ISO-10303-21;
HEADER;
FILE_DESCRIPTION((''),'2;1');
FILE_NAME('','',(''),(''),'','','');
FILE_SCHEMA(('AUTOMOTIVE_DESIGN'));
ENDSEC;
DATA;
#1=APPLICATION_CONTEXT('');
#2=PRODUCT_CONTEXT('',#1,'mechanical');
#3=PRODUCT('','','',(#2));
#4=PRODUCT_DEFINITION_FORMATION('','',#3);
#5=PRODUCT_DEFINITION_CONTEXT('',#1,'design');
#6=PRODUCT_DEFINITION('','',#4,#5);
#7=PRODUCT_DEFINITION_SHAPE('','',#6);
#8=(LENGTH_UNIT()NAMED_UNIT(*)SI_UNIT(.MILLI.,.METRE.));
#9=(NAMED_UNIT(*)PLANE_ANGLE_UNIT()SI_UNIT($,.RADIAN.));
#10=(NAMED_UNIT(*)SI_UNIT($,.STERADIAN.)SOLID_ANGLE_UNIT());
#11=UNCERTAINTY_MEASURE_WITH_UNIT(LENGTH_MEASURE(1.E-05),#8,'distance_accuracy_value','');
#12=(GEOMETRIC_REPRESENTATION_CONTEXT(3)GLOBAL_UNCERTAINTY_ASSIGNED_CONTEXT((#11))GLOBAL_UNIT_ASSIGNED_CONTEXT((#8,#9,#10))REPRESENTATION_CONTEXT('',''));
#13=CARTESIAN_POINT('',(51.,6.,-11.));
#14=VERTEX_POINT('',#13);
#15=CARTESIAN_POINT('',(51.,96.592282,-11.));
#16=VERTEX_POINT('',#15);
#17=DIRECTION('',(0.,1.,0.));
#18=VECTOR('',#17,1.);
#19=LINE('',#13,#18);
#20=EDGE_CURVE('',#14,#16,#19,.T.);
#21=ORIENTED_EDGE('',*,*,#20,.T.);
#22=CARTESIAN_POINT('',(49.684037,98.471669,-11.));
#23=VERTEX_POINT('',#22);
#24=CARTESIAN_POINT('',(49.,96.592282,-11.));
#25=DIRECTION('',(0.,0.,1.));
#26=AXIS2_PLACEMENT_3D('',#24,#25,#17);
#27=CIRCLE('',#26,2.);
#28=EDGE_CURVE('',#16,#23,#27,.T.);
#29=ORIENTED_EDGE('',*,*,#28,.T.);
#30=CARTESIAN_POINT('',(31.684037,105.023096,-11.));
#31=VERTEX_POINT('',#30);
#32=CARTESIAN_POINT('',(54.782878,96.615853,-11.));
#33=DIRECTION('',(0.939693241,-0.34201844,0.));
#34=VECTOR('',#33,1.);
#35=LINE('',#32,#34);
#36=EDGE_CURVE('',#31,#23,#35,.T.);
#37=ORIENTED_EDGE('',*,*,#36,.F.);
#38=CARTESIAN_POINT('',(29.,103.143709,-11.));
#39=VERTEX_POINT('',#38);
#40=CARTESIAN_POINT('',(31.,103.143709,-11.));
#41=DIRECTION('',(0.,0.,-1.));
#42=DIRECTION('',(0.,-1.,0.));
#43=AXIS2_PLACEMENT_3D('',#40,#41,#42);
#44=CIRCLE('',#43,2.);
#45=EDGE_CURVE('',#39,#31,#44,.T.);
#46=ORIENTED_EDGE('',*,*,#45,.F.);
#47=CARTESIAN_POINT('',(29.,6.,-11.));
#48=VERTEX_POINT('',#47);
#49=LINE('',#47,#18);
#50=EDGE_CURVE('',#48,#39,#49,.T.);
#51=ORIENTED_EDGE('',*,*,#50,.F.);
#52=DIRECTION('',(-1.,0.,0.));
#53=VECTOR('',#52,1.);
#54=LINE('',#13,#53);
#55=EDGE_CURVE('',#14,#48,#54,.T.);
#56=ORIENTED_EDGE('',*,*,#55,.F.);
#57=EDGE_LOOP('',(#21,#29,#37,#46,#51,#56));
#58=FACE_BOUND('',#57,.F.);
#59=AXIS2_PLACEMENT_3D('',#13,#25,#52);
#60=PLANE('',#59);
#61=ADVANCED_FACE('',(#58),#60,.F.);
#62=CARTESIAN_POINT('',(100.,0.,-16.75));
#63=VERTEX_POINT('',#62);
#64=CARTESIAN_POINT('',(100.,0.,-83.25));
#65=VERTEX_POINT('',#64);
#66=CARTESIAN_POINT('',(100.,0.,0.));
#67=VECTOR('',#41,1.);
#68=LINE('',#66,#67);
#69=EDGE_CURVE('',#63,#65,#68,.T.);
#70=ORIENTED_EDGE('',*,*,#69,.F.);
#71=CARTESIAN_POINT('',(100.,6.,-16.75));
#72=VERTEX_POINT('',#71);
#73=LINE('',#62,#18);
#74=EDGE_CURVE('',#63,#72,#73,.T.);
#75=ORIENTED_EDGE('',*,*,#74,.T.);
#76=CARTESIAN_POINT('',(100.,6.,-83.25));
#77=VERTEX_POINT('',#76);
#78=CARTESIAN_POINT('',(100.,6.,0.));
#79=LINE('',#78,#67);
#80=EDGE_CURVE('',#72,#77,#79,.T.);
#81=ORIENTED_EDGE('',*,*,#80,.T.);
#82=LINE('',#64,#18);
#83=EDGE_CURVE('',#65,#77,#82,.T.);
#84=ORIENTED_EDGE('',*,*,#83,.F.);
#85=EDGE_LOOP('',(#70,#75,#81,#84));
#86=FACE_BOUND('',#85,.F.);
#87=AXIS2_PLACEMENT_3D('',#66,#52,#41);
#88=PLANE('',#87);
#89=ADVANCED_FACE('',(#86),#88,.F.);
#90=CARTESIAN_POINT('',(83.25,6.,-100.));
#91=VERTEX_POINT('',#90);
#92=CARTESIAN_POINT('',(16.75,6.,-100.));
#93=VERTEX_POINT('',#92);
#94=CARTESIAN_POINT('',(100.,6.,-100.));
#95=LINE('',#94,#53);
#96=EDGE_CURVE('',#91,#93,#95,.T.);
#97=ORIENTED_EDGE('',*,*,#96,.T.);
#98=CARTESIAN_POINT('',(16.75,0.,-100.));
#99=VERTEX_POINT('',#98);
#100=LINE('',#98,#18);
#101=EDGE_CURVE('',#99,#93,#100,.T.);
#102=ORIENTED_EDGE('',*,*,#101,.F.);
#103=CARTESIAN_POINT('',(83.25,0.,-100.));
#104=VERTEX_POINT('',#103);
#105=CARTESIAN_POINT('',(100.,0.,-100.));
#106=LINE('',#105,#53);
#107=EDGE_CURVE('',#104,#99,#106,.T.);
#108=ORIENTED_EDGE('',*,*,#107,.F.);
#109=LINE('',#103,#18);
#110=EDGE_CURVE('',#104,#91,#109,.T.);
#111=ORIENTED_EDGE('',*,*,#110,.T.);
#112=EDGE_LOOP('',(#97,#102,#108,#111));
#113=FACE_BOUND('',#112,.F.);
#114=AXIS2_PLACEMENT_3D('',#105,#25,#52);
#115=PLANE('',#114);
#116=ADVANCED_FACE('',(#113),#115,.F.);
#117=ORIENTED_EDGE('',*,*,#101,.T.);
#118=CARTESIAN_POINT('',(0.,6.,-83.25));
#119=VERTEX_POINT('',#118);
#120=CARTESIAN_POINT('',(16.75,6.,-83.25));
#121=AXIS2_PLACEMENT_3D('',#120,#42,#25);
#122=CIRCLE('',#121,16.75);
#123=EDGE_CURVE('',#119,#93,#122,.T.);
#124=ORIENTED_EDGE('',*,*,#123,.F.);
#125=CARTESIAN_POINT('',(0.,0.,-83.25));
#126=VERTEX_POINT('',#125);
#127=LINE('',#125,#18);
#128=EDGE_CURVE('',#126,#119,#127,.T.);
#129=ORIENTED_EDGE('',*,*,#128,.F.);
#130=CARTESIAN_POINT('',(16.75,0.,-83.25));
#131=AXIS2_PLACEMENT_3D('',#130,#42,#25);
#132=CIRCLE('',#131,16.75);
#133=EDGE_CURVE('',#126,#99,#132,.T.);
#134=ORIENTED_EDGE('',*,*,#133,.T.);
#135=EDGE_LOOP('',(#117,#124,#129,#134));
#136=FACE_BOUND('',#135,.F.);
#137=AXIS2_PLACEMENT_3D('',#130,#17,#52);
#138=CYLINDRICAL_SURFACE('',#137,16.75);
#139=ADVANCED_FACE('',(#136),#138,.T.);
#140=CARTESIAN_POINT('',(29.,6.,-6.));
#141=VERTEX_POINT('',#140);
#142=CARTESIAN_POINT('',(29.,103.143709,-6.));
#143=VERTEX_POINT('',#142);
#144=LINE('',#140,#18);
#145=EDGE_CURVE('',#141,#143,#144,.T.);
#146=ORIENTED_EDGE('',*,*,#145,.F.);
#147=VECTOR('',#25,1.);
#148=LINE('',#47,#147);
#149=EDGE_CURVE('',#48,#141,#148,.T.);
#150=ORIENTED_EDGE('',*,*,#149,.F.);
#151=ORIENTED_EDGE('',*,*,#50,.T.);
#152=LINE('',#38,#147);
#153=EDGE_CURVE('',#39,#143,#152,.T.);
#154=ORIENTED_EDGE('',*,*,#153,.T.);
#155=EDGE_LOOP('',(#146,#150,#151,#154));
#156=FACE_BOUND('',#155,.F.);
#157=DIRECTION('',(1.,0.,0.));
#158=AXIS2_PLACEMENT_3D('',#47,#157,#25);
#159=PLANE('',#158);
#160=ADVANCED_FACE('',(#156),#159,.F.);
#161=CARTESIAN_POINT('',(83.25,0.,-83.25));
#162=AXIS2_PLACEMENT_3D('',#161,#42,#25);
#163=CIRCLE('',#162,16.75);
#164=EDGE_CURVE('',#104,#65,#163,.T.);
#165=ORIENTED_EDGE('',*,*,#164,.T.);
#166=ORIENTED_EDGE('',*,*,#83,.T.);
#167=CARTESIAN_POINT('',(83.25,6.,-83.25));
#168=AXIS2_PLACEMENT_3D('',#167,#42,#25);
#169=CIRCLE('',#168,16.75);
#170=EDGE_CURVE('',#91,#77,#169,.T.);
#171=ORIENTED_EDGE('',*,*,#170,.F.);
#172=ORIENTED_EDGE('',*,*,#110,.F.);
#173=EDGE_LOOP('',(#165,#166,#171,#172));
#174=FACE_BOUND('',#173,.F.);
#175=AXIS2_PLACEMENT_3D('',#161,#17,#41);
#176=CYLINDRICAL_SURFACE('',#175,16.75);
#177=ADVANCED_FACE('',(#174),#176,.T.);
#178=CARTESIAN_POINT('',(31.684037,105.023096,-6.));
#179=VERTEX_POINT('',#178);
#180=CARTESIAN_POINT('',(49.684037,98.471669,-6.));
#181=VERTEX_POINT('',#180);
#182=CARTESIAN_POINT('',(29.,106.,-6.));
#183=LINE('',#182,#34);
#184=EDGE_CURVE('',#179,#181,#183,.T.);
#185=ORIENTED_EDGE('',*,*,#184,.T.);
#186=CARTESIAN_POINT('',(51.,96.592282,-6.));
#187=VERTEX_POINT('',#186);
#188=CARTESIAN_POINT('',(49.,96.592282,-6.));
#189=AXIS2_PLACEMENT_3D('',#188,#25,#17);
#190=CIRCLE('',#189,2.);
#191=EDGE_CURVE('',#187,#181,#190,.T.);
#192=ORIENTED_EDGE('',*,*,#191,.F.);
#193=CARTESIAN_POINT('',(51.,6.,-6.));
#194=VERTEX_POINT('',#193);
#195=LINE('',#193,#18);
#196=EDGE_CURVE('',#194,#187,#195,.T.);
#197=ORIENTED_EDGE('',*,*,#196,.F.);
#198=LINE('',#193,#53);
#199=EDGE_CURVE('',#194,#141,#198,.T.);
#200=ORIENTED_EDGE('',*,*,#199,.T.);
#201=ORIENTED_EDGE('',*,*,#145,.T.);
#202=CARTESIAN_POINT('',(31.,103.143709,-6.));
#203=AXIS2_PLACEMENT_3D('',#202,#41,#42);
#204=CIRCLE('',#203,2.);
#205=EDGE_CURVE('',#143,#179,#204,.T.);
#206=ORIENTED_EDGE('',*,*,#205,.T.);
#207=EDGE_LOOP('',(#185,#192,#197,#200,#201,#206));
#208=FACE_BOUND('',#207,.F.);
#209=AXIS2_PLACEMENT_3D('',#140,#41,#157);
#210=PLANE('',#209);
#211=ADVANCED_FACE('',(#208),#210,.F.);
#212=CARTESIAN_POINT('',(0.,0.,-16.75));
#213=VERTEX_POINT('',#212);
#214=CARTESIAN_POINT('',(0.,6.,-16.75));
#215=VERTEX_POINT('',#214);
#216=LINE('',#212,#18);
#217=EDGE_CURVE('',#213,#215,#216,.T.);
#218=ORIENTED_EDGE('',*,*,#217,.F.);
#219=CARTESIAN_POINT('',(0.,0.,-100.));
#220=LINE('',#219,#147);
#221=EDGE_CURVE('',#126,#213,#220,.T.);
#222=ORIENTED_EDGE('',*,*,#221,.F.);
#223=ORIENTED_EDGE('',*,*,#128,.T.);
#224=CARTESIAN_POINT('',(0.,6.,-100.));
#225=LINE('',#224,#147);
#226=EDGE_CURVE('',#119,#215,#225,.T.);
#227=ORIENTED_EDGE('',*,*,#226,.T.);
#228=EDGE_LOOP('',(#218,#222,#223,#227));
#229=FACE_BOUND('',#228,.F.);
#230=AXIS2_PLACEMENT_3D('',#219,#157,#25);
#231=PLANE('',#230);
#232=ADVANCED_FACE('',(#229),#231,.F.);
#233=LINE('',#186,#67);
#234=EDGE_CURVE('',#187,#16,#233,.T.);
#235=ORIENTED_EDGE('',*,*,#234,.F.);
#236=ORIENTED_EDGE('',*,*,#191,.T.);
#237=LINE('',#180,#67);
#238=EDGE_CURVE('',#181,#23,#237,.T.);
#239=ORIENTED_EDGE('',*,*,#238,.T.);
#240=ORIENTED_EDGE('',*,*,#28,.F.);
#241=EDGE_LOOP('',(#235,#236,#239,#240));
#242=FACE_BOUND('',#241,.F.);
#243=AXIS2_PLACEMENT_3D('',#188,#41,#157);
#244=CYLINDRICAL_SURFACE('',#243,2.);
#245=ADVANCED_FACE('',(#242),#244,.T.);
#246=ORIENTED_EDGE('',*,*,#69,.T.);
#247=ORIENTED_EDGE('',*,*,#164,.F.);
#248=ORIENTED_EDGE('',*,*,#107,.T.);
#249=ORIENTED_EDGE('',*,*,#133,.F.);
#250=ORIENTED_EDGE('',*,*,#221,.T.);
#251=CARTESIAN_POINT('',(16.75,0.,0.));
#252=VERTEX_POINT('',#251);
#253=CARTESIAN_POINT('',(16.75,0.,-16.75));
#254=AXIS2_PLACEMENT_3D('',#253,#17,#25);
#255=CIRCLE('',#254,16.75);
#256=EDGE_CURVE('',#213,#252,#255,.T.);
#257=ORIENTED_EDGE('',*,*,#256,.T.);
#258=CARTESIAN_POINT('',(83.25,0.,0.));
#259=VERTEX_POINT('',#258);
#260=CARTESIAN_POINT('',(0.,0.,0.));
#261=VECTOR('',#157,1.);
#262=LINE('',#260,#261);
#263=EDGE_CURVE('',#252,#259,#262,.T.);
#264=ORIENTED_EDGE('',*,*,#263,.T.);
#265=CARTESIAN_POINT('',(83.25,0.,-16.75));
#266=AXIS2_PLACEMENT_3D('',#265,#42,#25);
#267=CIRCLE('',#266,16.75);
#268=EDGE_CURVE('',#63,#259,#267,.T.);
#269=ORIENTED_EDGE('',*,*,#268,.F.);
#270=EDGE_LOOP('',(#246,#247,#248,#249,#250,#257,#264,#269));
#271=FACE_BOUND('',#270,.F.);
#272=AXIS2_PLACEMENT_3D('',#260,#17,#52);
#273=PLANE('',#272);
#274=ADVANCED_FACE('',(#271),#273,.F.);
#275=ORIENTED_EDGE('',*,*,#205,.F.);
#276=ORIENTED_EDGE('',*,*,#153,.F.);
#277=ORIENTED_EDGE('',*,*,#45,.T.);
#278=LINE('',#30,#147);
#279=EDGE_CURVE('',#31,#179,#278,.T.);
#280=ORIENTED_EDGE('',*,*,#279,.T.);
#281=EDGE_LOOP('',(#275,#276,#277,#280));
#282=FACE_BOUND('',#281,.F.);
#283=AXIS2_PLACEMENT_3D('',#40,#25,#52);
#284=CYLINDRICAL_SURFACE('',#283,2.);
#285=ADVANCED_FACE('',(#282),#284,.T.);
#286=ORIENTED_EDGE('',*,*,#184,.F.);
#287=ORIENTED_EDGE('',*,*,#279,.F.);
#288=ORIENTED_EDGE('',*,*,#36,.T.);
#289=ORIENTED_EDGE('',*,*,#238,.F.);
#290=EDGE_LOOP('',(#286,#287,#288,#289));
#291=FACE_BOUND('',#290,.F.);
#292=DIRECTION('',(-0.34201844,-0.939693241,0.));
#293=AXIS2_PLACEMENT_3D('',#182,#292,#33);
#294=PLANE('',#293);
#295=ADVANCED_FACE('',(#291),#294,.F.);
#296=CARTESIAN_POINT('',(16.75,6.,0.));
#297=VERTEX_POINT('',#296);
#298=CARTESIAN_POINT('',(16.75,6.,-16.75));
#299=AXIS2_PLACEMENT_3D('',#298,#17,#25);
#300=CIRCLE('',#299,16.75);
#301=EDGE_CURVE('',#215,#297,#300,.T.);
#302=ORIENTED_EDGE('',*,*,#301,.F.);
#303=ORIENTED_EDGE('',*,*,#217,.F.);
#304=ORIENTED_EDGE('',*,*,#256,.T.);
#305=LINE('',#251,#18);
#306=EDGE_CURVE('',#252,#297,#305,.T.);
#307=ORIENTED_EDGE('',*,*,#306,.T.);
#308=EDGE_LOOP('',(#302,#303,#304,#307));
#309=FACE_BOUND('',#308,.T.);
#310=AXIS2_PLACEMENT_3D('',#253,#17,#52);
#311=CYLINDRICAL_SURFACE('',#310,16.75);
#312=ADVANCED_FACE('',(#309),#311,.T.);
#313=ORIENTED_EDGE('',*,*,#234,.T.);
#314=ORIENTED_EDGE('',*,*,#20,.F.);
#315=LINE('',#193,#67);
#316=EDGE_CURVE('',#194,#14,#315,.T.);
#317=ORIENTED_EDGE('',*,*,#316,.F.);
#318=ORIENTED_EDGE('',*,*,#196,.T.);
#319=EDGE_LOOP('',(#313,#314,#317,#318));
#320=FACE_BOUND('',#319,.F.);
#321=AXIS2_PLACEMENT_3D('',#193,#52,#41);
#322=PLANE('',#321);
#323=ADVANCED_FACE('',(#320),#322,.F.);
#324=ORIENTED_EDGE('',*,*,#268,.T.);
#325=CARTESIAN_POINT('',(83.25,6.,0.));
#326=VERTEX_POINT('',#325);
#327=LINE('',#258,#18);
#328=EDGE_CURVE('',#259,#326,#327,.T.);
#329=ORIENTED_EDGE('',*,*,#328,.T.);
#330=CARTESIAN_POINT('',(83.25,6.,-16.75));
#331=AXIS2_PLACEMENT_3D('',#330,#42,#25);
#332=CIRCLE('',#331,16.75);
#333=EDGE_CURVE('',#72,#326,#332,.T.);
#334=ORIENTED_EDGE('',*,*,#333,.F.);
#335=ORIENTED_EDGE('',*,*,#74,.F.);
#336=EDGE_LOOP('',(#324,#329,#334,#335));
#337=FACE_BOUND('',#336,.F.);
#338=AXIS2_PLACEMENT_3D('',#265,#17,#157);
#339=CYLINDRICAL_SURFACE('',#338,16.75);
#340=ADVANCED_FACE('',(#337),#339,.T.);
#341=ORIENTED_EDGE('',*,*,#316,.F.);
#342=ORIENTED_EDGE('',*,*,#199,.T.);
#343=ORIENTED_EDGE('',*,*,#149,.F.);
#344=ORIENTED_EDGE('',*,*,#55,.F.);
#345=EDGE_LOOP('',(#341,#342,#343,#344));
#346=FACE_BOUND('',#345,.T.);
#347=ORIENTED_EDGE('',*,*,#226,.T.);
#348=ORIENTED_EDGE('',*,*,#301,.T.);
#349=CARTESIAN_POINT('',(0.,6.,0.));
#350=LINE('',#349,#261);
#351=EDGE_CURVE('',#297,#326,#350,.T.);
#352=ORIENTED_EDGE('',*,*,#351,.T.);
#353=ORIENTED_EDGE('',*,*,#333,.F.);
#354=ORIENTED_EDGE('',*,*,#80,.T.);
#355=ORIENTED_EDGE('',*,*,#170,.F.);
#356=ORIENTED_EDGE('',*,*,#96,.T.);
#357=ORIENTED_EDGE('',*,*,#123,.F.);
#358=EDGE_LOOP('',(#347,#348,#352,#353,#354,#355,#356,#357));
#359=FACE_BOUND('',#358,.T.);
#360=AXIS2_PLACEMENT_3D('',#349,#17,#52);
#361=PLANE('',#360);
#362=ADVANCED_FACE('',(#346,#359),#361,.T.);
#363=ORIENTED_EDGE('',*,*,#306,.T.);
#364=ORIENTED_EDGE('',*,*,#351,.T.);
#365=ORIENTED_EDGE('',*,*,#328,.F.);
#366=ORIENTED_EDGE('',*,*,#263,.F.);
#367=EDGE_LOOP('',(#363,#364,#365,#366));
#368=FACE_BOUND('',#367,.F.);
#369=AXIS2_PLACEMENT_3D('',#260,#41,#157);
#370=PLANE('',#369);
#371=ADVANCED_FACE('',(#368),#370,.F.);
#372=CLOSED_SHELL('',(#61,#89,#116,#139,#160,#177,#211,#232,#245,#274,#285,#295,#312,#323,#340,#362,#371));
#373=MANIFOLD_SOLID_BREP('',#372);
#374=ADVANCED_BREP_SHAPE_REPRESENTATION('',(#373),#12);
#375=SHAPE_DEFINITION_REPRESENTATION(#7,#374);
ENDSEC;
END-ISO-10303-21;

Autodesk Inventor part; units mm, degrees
ref_plane "YZ Plane" through (0, 0, 0) normal (1, 0, 0) x (0, 1, 0)
ref_plane "XZ Plane" through (0, 0, 0) normal (0, 1, 0) x (-1, 0, 0)
ref_plane "XY Plane" through (0, 0, 0) normal (0, 0, 1) x (1, 0, 0)
sketch "Sketch1" plane through (0, 0, 0) normal (0, 1, 0) x (-1, 0, 0)
  line L0 (0, 0) -> (-100, 0)
  line L1 (-100, 0) -> (-100, -100)
  line L2 (-100, -100) -> (0, -100)
  line L3 (0, -100) -> (0, 0)
  dimension "d0" = 100
  dimension "d1" = 100
extrude "Extrusion1" add sketch "Sketch1" along normal blind 6
fillet "Fillet1" radius 16.75 4 edges at (100, 3, 0) (100, 3, -100) (0, 3, 0) (0, 3, -100)
sketch "Sketch2" plane through (0, 6, 0) normal (0, 1, 0) x (1, 0, 0)
  line L0 (16.75, 0) -> (83.25, 0) projected
  line L1 (40, 6) -> (51, 6)
  line L2 (51, 6) -> (51, 11)
  line L3 (51, 11) -> (29, 11)
  line L4 (29, 11) -> (29, 6)
  line L5 (29, 6) -> (40, 6)
  point P0 (0, 0)
extrude "Extrusion2" add sketch "Sketch2" along normal blind 100
sketch "Sketch3" plane through (29, 6, -6) normal (0, 0, 1) x (1, 0, 0)
  line L0 (0, 100) -> (22, 100) projected
  line L1 (0, 100) -> (22, 91.9927)
  line L2 (22, 0) -> (22, 100) projected
  line L3 (0, 100) -> (23.4119, 100) construction
  line L4 (22, 91.9927) -> (22, 100)
  line L5 (22, 100) -> (0, 100)
  point P0 (-29, -6)
  dimension "d12" = 20
extrude "Extrusion3" cut sketch "Sketch3" against normal blind 10
fillet "Fillet2" radius 2 2 edges at (29, 106, -8.5) (51, 97.9927, -8.5)
sketch "Sketch4" plane through (51, 6, -11) normal (0, 0, -1) x (-1, 0, 0)
  point P0 (51, -6)
sketch "Sketch5" plane through (29, 6, -6) normal (0, 0, 1) x (1, 0, 0)
  line L0 (0, 99.0231) -> (22, 99.0231)
  point P0 (-29, -6)
properties part number "SmartWatch_Base"
